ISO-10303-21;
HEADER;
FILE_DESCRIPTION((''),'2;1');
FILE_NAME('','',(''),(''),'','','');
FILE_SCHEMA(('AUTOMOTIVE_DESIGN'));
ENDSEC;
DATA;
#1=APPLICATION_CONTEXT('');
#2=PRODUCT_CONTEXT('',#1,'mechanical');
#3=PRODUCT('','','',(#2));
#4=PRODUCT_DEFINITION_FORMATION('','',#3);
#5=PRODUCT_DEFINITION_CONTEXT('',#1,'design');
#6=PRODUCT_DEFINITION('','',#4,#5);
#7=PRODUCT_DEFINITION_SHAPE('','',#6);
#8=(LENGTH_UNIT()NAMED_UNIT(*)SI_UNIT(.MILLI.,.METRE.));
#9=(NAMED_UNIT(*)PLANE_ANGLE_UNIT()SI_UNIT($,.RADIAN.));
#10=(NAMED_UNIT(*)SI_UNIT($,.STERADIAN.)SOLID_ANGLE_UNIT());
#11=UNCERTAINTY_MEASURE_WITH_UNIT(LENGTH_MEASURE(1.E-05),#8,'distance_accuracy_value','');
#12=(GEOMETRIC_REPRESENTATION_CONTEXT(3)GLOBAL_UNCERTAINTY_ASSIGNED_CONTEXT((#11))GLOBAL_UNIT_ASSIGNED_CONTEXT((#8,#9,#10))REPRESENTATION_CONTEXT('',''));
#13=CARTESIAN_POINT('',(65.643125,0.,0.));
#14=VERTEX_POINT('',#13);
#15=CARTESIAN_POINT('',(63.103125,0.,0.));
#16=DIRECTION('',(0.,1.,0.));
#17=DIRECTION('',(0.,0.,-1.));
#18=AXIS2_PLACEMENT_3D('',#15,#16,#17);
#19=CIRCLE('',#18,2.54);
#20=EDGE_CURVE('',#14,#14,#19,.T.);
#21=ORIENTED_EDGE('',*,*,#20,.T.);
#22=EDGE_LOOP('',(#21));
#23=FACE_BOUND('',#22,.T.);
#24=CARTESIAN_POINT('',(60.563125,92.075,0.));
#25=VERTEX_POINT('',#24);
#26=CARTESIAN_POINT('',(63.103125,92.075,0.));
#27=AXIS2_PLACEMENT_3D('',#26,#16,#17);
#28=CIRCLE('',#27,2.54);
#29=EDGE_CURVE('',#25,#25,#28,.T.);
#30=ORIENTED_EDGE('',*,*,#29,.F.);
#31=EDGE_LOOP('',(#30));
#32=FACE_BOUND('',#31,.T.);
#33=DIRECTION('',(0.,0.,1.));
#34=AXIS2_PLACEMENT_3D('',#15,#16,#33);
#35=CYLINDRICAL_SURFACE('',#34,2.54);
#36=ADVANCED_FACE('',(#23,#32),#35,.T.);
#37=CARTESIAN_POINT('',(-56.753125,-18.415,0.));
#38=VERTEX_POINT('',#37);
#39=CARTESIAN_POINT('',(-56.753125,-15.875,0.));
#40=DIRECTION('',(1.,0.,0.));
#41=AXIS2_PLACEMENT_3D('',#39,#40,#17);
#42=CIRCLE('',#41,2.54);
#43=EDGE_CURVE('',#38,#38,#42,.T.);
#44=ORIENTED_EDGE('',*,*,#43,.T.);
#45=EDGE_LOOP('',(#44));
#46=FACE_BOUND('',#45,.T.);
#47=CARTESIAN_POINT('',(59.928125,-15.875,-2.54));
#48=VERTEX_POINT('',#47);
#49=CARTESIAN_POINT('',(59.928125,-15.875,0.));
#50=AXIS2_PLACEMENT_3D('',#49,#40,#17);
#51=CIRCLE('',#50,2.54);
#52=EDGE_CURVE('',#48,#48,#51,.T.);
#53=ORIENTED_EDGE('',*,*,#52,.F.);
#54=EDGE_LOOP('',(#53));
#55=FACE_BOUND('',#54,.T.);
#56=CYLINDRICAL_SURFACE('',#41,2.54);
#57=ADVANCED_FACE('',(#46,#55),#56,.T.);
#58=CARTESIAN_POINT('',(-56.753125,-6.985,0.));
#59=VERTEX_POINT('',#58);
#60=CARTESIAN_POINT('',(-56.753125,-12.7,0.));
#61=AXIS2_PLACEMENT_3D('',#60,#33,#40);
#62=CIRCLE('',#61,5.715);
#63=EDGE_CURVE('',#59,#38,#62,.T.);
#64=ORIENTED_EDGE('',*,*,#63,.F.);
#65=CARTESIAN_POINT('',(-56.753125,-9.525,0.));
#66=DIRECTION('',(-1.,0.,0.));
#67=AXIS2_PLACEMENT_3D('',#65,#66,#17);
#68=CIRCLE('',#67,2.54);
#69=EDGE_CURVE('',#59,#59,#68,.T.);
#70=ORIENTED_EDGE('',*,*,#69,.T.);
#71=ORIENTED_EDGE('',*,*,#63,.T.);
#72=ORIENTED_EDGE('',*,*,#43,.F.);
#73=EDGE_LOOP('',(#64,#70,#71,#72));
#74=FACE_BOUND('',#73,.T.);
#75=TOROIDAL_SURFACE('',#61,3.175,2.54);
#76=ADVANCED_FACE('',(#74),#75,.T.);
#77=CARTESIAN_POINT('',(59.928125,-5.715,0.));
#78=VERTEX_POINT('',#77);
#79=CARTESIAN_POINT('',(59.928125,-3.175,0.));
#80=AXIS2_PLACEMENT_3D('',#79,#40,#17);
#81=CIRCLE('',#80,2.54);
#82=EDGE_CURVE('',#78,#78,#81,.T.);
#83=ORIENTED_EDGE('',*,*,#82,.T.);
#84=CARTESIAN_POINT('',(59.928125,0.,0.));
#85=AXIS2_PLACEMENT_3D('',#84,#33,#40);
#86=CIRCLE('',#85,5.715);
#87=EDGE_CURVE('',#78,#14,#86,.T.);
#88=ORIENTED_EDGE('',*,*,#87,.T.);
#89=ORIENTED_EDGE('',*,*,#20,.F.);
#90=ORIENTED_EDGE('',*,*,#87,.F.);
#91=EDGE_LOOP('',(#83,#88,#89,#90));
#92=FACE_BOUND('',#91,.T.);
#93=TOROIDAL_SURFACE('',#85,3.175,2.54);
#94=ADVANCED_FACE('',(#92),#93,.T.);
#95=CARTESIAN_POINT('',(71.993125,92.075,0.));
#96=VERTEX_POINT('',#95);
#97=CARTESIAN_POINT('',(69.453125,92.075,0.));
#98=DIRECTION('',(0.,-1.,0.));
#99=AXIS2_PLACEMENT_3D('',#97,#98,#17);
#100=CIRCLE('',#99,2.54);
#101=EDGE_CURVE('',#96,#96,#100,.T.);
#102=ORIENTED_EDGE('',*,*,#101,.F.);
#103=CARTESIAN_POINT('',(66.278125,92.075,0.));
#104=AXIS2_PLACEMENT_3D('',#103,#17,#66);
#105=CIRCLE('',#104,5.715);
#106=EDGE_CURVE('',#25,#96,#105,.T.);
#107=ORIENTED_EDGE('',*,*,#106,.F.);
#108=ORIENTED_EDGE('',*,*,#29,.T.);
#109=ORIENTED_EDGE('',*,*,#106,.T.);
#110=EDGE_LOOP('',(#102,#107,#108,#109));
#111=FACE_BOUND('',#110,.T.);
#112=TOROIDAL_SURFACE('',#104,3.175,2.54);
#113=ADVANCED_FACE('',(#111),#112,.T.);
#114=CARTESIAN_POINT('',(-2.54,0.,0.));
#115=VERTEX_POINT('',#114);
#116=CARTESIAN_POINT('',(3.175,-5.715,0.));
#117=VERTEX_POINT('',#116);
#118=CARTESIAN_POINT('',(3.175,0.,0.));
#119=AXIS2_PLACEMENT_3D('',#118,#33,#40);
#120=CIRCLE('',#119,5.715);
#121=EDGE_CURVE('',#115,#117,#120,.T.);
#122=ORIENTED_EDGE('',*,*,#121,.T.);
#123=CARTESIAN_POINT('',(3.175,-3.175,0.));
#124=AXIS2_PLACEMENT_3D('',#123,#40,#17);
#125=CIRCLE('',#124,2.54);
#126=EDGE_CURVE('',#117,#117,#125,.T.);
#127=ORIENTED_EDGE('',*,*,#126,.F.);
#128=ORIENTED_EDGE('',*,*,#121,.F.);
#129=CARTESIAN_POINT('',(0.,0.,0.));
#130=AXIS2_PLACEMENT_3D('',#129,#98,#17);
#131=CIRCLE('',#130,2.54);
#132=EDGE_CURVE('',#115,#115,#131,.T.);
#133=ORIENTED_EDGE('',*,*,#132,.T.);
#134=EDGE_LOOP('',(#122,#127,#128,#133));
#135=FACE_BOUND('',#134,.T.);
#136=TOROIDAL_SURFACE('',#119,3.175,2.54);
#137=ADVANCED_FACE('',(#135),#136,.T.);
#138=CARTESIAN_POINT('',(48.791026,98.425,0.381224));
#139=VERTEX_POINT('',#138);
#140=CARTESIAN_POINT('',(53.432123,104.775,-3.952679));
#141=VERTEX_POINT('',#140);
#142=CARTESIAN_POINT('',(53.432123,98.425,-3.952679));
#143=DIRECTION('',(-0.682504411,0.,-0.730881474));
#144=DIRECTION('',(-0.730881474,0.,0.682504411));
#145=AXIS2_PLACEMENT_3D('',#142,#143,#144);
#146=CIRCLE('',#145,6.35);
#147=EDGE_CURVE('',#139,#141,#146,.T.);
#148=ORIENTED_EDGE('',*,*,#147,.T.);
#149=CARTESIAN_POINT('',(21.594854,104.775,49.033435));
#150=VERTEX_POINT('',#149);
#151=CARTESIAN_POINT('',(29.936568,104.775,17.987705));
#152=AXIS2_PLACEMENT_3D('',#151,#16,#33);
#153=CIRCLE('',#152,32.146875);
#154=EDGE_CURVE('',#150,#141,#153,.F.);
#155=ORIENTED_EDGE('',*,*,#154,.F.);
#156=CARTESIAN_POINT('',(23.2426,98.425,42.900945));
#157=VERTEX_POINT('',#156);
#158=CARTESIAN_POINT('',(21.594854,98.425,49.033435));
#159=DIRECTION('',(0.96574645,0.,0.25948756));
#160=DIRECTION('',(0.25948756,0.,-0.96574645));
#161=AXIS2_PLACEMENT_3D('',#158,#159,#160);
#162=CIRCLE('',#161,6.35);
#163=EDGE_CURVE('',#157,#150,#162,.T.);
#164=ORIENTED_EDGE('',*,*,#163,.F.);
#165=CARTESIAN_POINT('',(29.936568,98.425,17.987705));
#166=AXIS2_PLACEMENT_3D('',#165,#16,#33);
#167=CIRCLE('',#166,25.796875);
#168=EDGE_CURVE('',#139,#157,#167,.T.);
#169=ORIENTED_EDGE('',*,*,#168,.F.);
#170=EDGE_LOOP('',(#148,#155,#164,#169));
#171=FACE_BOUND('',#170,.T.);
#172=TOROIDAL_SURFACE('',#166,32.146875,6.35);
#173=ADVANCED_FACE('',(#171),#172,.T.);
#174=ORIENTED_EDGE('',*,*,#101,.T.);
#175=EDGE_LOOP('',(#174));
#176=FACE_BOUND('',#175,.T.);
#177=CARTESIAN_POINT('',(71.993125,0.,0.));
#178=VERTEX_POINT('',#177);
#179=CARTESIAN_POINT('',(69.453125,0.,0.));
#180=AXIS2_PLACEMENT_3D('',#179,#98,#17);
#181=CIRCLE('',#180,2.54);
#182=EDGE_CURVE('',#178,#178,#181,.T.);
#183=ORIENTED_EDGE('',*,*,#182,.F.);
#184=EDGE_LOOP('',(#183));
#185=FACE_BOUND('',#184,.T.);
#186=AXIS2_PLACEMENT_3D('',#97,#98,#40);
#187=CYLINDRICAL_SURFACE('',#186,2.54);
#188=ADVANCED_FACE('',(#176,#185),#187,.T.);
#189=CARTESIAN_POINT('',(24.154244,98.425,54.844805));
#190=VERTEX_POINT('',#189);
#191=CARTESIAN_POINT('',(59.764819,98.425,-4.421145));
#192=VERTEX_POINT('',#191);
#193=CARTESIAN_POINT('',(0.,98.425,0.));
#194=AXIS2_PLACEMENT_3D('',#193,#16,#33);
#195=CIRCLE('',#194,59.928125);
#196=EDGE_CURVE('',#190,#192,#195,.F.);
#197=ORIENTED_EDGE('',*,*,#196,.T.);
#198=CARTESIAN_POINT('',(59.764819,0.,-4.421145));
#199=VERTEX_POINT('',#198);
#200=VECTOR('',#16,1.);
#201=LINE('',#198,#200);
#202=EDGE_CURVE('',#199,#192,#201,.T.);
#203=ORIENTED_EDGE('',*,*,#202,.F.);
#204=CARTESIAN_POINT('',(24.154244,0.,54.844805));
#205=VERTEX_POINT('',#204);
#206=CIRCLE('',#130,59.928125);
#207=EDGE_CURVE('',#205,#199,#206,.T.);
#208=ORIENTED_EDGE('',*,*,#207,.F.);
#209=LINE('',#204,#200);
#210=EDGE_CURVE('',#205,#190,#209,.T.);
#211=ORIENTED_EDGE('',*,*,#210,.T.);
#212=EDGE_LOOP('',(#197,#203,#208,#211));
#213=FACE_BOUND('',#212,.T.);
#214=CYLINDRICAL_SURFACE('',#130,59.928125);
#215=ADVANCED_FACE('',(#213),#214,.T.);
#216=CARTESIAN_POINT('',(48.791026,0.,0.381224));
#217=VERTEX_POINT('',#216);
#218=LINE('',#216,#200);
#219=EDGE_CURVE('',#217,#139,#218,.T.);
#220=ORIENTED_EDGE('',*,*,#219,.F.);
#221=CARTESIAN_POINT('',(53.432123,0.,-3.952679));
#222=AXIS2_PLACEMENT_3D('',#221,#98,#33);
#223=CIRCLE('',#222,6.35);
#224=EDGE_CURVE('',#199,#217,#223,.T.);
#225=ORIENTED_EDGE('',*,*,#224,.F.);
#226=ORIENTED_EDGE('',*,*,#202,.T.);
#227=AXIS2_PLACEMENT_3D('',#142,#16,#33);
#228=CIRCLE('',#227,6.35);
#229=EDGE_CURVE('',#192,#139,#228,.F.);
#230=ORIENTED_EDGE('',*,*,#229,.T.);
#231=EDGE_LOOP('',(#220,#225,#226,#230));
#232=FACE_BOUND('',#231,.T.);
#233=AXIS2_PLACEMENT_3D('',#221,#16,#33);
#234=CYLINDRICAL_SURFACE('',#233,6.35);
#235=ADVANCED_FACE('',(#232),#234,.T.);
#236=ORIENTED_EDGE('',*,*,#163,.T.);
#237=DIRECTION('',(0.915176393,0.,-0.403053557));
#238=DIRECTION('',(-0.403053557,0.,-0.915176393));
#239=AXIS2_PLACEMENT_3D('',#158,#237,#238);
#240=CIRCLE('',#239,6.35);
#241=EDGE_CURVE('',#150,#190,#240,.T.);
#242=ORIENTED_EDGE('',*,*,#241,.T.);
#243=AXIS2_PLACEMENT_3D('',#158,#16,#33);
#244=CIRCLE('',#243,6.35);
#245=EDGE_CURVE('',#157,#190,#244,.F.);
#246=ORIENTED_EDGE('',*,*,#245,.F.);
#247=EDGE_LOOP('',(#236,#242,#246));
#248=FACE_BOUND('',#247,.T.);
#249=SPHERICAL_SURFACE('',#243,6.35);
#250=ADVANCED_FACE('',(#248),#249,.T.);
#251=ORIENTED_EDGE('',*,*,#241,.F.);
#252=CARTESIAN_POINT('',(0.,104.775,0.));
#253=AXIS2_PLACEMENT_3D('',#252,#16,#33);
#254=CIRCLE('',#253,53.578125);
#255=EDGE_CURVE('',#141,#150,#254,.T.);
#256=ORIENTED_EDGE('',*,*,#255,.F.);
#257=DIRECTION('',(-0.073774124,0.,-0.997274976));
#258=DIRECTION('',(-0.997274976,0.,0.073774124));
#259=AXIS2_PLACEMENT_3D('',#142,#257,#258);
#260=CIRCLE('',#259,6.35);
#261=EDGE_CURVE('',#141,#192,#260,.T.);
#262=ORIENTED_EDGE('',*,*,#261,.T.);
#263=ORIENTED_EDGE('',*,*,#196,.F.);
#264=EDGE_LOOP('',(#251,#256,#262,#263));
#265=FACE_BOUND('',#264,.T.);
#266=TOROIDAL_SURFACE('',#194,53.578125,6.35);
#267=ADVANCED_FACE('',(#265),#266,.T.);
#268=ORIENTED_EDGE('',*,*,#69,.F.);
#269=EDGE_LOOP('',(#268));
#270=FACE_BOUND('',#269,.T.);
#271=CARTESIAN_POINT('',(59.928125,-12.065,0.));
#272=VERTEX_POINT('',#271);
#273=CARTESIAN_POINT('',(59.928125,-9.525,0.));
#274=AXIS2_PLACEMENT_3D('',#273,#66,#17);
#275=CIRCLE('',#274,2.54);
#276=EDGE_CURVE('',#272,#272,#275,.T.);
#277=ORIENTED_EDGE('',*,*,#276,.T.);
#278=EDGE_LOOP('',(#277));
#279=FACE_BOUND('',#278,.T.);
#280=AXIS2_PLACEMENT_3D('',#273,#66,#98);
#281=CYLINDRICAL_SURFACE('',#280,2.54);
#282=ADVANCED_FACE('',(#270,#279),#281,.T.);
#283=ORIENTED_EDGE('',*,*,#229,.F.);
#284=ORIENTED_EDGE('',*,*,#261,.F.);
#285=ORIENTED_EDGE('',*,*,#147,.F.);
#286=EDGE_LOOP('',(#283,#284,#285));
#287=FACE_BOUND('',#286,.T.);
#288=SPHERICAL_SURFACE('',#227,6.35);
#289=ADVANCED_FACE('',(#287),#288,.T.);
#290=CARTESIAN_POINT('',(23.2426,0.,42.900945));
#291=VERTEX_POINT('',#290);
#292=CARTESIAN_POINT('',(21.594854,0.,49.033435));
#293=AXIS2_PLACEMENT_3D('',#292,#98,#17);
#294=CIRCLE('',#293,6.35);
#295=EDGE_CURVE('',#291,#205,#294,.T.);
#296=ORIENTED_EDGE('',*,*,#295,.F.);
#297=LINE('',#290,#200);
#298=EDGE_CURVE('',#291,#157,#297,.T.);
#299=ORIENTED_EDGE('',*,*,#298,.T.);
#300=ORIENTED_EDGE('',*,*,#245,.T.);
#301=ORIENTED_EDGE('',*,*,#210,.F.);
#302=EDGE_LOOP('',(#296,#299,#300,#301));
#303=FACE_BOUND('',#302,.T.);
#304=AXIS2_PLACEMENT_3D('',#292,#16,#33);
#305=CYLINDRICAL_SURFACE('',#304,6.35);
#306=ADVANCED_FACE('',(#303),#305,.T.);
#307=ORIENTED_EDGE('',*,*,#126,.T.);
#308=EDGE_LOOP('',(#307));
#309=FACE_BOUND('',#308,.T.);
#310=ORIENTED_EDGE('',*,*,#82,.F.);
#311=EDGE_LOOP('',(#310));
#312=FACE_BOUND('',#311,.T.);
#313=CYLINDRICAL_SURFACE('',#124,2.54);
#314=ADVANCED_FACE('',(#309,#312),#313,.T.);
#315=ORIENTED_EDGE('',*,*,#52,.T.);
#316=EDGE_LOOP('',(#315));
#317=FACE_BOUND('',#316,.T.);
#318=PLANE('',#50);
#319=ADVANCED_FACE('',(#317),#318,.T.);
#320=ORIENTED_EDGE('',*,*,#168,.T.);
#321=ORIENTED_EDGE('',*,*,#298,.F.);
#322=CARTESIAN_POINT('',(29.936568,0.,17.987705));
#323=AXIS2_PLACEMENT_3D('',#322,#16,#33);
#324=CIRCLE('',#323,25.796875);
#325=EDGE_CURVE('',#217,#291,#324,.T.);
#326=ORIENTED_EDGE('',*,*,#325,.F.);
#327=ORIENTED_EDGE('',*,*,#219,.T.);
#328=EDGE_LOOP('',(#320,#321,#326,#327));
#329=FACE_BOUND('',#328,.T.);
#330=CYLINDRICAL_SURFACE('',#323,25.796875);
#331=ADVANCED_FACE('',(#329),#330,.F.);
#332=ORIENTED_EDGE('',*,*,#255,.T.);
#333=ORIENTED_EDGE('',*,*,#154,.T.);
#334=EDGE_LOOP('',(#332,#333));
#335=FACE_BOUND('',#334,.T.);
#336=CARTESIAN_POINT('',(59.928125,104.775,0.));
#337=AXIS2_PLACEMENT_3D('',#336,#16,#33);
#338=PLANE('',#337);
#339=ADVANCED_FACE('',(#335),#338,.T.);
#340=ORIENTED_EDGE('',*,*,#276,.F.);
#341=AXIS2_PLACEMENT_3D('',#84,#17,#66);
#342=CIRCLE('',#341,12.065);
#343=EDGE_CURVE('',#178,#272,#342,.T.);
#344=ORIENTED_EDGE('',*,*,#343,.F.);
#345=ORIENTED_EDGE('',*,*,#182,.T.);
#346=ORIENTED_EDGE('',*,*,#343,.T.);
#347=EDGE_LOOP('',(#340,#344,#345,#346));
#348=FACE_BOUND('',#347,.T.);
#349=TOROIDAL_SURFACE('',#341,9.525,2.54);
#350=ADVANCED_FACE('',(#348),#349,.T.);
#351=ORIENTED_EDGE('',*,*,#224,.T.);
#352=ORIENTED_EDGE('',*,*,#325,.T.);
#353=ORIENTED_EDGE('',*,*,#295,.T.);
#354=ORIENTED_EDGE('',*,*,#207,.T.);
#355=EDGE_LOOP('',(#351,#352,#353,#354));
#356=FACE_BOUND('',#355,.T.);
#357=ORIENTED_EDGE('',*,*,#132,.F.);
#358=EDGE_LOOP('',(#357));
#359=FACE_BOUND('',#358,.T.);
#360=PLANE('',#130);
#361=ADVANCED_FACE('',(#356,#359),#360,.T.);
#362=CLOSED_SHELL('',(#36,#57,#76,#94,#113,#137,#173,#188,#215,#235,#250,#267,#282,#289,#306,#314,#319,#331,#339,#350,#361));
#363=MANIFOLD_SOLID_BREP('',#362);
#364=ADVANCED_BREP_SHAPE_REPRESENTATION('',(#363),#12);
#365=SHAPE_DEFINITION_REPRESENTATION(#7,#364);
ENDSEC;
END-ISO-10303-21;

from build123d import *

# Parameters (mm, degrees)
SKETCH1_W          = 59.928125
SKETCH1_H          = 104.775
SKETCH13_R         = 2.54
CUT_EXTRUDE2_DEPTH = 104.775
FILLET1_R          = 6.35


with BuildPart() as part:
    # Sketch1 → Revolve1 (revolve)
    with BuildSketch(Plane.XY, mode=Mode.PRIVATE) as revolve1_sk:
        with Locations((29.9640625, 52.3875)):
            Rectangle(SKETCH1_W, SKETCH1_H)
    revolve(revolve1_sk.sketch.rotate(Axis((0, 0, 0), (0, 1, 0)), 90), axis=Axis((0, 0, 0), (0, 1, 0)))

    # Sweep2: sweep along a path in Sketch12
    with BuildLine(Plane.XY) as sweep2_path:
        Line((59.928125, -15.875), (-56.753125, -15.875))
        ThreePointArc((-56.753125, -15.875), (-59.928125, -12.7), (-56.753125, -9.525))
        Line((-56.753125, -9.525), (59.928125, -9.525))
        ThreePointArc((59.928125, -9.525), (66.663317091, -6.735192091), (69.453125, 0))
        Line((69.453125, 0), (69.453125, 92.075))
        ThreePointArc((69.453125, 92.075), (66.278125, 95.25), (63.103125, 92.075))
        Line((63.103125, 92.075), (63.103125, 0))
        ThreePointArc((63.103125, 0), (62.17318903, -2.24506403), (59.928125, -3.175))
        Line((59.928125, -3.175), (3.175, -3.175))
        ThreePointArc((3.175, -3.175), (0.92993597, -2.24506403), (0, 0))
    # Sketch13 → Sweep2 (sweep)
    with BuildSketch(Plane.XZ):
        Circle(SKETCH13_R)
    sweep(path=sweep2_path.line)

    # Sketch14 → Cut-Extrude2 (cut)
    with BuildSketch(Plane(origin=(0, 104.775, 0), x_dir=(1, 0, 0), z_dir=(0, 1, 0))):
        with BuildLine():
            ThreePointArc((48.79102599, -0.381223778), (7.824330267, -4.701331928), (23.242599838, -42.900945228))
            ThreePointArc((23.242599838, -42.900945228), (27.926437111, -48.550161742), (24.154243919, -54.844805285))
            ThreePointArc((24.154243919, -54.844805285), (51.368429142, -30.865266133), (59.764819448, 4.421144922))
            ThreePointArc((59.764819448, 4.421144922), (55.977916516, -1.864660118), (48.79102599, -0.381223778))
        make_face()
    extrude(amount=-CUT_EXTRUDE2_DEPTH, mode=Mode.SUBTRACT)

    # Fillet1
    fillet1_edges = [part.edges().sort_by_distance(p)[0] for p in [
        (-51.368429142, 104.775, -30.865266133),
        (55.977916516, 104.775, 1.864660118),
        (7.824330267, 104.775, 4.701331928),
        (27.926437111, 104.775, 48.550161742),
    ]]
    fillet(fillet1_edges, radius=FILLET1_R)


solid = part.part
